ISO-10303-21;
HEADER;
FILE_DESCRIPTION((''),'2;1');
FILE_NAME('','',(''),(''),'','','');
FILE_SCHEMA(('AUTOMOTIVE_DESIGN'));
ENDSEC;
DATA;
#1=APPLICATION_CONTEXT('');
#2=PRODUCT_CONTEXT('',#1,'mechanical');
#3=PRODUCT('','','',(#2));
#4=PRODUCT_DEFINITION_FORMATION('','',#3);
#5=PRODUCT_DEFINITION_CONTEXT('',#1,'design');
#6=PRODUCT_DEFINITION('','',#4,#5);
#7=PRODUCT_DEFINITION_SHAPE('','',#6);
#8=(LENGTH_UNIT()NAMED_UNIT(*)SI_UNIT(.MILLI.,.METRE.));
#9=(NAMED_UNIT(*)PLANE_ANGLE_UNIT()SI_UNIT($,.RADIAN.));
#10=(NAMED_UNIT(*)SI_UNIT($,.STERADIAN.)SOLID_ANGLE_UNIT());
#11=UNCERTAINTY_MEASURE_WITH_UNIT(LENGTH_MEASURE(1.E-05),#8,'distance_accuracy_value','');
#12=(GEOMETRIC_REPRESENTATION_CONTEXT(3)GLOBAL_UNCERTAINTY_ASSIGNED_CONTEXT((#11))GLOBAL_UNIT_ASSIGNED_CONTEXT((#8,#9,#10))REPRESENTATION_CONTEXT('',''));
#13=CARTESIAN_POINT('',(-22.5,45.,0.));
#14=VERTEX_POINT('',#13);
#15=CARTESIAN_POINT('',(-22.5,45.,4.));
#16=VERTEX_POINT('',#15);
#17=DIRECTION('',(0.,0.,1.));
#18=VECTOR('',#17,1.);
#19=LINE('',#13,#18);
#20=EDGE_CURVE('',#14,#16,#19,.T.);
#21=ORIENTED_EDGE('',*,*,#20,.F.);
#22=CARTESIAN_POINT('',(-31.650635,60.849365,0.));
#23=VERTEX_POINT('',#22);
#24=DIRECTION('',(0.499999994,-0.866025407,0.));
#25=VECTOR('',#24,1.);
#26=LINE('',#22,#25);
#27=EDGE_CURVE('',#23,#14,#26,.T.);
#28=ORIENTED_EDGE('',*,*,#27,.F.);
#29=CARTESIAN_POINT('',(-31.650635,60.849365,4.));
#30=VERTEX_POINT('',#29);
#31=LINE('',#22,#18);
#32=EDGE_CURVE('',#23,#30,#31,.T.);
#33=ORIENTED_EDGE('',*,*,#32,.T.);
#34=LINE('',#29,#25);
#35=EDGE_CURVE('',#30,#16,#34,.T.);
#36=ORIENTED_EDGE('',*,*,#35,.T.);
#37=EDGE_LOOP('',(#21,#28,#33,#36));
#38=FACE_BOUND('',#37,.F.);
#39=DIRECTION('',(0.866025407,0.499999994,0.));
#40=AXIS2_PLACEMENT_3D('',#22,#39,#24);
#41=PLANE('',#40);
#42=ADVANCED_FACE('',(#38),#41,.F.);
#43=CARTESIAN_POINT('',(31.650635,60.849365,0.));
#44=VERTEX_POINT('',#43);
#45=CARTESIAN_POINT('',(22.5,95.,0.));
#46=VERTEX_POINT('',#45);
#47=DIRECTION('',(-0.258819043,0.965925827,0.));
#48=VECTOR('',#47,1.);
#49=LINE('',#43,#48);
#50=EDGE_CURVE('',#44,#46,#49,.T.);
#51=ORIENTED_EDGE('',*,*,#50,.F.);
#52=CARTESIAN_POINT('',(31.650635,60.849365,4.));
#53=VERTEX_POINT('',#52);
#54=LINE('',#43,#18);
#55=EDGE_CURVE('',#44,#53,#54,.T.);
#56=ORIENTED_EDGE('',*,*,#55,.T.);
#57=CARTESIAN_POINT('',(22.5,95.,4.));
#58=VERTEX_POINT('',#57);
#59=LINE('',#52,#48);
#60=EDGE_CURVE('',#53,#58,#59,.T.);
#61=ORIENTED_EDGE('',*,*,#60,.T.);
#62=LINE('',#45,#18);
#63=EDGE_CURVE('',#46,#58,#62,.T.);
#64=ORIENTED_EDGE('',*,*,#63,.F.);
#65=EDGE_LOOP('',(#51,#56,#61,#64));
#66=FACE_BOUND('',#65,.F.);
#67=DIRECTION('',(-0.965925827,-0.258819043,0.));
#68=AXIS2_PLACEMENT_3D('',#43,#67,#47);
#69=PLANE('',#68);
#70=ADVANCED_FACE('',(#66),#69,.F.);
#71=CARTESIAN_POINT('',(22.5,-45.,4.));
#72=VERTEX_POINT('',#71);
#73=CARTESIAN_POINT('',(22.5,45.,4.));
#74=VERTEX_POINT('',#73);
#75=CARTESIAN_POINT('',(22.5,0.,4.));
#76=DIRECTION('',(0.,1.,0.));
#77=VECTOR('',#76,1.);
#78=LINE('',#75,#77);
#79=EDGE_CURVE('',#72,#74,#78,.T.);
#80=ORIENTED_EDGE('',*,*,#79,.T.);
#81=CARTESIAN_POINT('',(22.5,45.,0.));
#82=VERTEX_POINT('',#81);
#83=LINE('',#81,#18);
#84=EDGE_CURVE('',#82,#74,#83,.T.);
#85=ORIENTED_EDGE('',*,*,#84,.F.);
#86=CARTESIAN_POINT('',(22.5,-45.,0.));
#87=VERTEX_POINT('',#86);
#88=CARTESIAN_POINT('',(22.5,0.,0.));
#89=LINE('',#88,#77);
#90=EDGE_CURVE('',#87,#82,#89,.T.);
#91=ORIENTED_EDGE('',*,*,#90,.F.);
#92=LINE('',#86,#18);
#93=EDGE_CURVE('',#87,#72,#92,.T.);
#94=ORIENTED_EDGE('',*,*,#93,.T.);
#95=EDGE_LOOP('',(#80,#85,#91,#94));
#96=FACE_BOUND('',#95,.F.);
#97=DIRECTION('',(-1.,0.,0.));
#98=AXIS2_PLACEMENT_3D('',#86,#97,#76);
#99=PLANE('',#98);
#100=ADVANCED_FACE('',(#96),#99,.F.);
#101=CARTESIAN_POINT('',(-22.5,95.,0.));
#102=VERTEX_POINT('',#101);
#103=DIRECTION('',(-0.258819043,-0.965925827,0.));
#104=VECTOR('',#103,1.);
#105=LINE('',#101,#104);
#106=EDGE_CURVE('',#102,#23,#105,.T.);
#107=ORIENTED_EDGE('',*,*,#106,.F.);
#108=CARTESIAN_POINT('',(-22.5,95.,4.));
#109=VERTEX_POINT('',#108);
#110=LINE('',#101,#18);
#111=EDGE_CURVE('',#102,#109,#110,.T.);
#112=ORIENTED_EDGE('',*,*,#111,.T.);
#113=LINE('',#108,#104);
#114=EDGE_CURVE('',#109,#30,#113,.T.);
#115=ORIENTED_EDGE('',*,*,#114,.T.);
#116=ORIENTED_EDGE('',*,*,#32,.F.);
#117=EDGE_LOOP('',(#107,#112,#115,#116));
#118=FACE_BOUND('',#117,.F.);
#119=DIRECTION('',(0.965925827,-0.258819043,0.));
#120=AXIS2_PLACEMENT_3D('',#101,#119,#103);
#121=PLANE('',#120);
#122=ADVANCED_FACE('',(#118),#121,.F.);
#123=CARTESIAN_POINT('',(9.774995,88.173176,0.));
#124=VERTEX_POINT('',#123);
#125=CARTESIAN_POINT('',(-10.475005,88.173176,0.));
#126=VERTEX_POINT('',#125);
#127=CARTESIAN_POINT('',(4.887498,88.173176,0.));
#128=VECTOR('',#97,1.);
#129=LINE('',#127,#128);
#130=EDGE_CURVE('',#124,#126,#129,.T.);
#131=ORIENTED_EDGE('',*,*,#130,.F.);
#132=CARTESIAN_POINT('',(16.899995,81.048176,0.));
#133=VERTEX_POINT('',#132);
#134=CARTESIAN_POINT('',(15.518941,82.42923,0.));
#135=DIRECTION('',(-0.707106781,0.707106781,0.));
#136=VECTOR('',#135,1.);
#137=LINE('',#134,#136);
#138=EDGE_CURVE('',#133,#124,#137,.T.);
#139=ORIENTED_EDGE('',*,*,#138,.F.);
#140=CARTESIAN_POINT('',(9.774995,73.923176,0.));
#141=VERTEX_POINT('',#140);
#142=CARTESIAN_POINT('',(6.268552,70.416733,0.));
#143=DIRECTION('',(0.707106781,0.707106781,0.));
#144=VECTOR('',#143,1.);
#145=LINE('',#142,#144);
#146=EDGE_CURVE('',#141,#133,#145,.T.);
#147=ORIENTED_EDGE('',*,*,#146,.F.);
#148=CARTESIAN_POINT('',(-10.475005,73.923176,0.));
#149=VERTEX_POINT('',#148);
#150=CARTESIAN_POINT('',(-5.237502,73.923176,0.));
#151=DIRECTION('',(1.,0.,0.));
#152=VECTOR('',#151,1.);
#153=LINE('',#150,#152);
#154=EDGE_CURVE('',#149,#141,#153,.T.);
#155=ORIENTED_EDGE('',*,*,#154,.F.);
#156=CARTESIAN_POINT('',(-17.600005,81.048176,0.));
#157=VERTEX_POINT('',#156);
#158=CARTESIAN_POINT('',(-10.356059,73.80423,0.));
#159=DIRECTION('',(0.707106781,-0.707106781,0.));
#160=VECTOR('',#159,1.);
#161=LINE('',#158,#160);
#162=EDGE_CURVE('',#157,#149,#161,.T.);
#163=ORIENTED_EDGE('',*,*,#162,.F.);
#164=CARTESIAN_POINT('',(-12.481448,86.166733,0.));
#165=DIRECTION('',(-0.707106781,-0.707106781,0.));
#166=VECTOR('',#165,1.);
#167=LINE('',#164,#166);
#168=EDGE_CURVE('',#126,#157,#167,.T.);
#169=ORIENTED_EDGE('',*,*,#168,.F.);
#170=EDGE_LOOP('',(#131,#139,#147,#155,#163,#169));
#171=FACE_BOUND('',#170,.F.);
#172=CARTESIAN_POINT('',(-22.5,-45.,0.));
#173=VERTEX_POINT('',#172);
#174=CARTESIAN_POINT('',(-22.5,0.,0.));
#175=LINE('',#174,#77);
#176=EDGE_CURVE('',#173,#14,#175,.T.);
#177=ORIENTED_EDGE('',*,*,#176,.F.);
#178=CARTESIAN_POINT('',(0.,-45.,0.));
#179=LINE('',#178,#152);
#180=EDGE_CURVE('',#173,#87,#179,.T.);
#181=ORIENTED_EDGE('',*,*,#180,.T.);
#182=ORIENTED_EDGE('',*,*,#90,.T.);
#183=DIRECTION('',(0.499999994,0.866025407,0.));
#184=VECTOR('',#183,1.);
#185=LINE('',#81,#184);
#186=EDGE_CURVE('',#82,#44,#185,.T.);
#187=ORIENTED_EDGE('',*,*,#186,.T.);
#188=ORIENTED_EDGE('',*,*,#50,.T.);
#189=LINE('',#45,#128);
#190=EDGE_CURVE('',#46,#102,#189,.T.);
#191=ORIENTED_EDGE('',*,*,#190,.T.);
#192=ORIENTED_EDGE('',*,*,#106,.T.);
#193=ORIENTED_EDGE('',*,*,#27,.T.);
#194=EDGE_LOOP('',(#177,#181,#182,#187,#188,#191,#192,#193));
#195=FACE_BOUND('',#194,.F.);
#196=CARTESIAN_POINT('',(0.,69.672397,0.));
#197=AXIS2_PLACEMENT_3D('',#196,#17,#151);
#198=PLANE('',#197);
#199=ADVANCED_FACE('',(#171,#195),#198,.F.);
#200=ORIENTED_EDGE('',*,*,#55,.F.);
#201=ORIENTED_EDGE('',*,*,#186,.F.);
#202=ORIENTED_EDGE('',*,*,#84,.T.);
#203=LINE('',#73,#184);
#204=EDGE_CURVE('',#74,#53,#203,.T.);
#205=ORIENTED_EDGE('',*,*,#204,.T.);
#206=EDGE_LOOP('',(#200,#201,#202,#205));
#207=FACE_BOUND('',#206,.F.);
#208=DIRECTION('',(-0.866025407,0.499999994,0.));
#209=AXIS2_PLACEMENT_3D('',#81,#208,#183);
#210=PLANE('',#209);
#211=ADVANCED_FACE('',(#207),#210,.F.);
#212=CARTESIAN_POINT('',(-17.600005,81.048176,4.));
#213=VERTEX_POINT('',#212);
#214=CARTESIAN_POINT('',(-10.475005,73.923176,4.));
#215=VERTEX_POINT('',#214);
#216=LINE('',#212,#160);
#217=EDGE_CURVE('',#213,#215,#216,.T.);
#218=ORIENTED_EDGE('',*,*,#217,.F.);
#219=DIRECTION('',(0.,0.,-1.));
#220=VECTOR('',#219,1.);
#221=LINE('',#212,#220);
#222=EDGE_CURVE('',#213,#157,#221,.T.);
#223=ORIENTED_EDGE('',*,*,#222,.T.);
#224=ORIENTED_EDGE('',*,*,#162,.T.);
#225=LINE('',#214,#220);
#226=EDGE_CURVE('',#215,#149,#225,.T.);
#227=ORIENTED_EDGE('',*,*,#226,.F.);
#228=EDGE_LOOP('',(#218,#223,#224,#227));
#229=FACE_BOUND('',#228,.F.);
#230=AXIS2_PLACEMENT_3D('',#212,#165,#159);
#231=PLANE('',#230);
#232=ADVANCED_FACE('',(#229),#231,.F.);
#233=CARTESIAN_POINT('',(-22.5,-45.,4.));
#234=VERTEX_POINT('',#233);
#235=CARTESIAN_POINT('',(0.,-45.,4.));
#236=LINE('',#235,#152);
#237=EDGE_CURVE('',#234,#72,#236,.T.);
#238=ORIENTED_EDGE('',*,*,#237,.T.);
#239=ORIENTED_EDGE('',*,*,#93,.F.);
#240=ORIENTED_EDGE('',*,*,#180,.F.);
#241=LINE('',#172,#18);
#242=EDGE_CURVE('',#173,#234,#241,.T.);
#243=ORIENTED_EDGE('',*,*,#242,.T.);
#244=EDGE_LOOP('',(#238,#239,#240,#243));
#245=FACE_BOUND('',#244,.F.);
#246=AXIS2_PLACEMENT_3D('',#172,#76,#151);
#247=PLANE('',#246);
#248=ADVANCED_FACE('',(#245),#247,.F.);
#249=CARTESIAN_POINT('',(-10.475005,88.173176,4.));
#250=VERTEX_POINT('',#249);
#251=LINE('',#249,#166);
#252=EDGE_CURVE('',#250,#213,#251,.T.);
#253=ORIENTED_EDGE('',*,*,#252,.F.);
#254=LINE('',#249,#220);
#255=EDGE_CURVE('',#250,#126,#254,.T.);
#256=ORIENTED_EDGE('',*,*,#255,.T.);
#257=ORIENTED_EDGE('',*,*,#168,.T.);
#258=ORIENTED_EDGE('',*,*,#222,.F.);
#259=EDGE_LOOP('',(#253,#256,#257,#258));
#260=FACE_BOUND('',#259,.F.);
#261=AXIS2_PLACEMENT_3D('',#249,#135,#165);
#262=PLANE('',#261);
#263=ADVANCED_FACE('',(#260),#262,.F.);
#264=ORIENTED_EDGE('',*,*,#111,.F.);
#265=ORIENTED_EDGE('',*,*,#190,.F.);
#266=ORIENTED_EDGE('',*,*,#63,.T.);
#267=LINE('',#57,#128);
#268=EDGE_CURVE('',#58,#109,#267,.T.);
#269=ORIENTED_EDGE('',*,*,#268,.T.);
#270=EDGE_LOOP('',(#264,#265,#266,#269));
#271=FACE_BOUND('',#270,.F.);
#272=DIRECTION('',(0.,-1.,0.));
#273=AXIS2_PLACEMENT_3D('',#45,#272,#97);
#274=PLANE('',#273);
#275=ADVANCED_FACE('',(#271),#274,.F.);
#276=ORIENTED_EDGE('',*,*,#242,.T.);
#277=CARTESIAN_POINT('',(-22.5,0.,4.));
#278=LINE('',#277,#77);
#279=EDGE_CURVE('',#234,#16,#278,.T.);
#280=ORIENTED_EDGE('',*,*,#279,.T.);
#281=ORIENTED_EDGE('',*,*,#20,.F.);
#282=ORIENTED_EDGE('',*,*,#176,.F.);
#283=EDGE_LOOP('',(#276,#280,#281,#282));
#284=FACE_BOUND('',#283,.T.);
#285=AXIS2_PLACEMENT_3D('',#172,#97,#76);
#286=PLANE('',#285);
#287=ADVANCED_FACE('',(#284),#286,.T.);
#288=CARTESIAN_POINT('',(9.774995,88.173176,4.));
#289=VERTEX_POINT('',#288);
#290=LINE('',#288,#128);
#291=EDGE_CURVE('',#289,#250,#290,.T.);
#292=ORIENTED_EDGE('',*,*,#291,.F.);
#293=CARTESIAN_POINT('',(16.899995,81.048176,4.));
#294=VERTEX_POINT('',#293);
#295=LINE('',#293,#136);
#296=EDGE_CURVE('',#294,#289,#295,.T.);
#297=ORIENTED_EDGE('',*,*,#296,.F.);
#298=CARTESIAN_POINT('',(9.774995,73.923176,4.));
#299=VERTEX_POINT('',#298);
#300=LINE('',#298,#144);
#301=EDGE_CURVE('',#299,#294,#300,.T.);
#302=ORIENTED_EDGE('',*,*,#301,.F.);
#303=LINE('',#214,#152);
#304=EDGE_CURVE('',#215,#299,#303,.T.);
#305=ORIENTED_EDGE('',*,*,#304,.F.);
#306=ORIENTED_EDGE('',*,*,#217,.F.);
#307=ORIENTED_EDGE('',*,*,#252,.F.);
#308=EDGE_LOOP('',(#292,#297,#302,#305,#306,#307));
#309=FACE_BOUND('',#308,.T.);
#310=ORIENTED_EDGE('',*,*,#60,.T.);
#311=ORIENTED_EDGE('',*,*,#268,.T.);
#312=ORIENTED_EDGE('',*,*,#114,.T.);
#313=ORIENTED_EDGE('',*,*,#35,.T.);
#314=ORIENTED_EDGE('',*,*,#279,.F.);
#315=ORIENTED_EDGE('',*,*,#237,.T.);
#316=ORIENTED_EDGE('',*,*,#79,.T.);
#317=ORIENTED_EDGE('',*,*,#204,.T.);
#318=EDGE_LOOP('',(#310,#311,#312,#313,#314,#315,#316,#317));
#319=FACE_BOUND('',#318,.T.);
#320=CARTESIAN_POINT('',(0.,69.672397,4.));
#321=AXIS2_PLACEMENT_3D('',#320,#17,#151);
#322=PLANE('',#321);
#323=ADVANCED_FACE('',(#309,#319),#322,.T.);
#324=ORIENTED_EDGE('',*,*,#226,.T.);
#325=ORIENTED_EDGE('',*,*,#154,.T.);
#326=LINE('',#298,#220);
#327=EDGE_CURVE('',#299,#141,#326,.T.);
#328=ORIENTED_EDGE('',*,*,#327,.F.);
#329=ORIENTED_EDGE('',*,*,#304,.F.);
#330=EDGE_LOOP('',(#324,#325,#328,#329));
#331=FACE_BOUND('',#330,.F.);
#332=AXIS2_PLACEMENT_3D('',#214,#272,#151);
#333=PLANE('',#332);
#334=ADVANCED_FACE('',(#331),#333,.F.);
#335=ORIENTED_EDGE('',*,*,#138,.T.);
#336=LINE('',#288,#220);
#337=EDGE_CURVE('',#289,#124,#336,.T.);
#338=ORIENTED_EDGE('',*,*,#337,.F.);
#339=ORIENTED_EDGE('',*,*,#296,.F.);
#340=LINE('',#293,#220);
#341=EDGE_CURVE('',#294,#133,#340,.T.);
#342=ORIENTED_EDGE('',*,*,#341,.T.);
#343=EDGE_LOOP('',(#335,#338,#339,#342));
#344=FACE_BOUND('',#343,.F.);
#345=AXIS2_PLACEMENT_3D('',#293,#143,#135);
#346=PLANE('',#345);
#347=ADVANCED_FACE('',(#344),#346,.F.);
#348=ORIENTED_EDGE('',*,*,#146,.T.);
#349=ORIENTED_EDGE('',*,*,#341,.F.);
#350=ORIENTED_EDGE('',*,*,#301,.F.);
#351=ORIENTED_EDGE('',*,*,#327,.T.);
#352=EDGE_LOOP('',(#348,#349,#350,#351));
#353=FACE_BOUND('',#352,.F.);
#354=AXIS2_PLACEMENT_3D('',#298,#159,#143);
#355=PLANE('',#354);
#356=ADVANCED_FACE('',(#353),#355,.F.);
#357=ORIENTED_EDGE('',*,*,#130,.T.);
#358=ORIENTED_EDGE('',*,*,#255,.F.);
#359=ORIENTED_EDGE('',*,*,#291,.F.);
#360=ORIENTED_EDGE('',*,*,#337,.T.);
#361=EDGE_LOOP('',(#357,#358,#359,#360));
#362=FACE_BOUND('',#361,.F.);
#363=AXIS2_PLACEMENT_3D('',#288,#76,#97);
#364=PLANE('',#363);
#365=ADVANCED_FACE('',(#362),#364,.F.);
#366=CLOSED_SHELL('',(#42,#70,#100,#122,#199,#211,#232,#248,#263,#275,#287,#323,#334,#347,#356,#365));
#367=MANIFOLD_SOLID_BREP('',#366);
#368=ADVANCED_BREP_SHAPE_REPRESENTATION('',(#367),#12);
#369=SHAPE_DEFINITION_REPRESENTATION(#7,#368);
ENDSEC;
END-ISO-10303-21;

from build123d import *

# Parameters (mm, degrees)
F0_W     = 45
F0_H     = 90
F1_DEPTH = 4
F3_DEPTH = 4.001


with BuildPart() as f1:
    # F0 (on Top) → F1 (new body)
    with BuildSketch(Plane.XY):
        Polygon((-31.650635, 60.849365), (-22.5, 45), (22.5, 45), (31.650635, 60.849365), (22.5, 95), (-22.5, 95), align=None)
        Rectangle(F0_W, F0_H)
    extrude(amount=F1_DEPTH)

    # F2 (on face) → F3 (cut, through all)
    with BuildSketch(Plane.XY.offset(4)):
        Polygon((9.774995, 73.923176), (16.899995, 81.048176), (9.774995, 88.173176), (-10.475005, 88.173176), (-17.600005, 81.048176), (-10.475005, 73.923176), align=None)
    extrude(amount=-F3_DEPTH, mode=Mode.SUBTRACT)


solid = f1.part
